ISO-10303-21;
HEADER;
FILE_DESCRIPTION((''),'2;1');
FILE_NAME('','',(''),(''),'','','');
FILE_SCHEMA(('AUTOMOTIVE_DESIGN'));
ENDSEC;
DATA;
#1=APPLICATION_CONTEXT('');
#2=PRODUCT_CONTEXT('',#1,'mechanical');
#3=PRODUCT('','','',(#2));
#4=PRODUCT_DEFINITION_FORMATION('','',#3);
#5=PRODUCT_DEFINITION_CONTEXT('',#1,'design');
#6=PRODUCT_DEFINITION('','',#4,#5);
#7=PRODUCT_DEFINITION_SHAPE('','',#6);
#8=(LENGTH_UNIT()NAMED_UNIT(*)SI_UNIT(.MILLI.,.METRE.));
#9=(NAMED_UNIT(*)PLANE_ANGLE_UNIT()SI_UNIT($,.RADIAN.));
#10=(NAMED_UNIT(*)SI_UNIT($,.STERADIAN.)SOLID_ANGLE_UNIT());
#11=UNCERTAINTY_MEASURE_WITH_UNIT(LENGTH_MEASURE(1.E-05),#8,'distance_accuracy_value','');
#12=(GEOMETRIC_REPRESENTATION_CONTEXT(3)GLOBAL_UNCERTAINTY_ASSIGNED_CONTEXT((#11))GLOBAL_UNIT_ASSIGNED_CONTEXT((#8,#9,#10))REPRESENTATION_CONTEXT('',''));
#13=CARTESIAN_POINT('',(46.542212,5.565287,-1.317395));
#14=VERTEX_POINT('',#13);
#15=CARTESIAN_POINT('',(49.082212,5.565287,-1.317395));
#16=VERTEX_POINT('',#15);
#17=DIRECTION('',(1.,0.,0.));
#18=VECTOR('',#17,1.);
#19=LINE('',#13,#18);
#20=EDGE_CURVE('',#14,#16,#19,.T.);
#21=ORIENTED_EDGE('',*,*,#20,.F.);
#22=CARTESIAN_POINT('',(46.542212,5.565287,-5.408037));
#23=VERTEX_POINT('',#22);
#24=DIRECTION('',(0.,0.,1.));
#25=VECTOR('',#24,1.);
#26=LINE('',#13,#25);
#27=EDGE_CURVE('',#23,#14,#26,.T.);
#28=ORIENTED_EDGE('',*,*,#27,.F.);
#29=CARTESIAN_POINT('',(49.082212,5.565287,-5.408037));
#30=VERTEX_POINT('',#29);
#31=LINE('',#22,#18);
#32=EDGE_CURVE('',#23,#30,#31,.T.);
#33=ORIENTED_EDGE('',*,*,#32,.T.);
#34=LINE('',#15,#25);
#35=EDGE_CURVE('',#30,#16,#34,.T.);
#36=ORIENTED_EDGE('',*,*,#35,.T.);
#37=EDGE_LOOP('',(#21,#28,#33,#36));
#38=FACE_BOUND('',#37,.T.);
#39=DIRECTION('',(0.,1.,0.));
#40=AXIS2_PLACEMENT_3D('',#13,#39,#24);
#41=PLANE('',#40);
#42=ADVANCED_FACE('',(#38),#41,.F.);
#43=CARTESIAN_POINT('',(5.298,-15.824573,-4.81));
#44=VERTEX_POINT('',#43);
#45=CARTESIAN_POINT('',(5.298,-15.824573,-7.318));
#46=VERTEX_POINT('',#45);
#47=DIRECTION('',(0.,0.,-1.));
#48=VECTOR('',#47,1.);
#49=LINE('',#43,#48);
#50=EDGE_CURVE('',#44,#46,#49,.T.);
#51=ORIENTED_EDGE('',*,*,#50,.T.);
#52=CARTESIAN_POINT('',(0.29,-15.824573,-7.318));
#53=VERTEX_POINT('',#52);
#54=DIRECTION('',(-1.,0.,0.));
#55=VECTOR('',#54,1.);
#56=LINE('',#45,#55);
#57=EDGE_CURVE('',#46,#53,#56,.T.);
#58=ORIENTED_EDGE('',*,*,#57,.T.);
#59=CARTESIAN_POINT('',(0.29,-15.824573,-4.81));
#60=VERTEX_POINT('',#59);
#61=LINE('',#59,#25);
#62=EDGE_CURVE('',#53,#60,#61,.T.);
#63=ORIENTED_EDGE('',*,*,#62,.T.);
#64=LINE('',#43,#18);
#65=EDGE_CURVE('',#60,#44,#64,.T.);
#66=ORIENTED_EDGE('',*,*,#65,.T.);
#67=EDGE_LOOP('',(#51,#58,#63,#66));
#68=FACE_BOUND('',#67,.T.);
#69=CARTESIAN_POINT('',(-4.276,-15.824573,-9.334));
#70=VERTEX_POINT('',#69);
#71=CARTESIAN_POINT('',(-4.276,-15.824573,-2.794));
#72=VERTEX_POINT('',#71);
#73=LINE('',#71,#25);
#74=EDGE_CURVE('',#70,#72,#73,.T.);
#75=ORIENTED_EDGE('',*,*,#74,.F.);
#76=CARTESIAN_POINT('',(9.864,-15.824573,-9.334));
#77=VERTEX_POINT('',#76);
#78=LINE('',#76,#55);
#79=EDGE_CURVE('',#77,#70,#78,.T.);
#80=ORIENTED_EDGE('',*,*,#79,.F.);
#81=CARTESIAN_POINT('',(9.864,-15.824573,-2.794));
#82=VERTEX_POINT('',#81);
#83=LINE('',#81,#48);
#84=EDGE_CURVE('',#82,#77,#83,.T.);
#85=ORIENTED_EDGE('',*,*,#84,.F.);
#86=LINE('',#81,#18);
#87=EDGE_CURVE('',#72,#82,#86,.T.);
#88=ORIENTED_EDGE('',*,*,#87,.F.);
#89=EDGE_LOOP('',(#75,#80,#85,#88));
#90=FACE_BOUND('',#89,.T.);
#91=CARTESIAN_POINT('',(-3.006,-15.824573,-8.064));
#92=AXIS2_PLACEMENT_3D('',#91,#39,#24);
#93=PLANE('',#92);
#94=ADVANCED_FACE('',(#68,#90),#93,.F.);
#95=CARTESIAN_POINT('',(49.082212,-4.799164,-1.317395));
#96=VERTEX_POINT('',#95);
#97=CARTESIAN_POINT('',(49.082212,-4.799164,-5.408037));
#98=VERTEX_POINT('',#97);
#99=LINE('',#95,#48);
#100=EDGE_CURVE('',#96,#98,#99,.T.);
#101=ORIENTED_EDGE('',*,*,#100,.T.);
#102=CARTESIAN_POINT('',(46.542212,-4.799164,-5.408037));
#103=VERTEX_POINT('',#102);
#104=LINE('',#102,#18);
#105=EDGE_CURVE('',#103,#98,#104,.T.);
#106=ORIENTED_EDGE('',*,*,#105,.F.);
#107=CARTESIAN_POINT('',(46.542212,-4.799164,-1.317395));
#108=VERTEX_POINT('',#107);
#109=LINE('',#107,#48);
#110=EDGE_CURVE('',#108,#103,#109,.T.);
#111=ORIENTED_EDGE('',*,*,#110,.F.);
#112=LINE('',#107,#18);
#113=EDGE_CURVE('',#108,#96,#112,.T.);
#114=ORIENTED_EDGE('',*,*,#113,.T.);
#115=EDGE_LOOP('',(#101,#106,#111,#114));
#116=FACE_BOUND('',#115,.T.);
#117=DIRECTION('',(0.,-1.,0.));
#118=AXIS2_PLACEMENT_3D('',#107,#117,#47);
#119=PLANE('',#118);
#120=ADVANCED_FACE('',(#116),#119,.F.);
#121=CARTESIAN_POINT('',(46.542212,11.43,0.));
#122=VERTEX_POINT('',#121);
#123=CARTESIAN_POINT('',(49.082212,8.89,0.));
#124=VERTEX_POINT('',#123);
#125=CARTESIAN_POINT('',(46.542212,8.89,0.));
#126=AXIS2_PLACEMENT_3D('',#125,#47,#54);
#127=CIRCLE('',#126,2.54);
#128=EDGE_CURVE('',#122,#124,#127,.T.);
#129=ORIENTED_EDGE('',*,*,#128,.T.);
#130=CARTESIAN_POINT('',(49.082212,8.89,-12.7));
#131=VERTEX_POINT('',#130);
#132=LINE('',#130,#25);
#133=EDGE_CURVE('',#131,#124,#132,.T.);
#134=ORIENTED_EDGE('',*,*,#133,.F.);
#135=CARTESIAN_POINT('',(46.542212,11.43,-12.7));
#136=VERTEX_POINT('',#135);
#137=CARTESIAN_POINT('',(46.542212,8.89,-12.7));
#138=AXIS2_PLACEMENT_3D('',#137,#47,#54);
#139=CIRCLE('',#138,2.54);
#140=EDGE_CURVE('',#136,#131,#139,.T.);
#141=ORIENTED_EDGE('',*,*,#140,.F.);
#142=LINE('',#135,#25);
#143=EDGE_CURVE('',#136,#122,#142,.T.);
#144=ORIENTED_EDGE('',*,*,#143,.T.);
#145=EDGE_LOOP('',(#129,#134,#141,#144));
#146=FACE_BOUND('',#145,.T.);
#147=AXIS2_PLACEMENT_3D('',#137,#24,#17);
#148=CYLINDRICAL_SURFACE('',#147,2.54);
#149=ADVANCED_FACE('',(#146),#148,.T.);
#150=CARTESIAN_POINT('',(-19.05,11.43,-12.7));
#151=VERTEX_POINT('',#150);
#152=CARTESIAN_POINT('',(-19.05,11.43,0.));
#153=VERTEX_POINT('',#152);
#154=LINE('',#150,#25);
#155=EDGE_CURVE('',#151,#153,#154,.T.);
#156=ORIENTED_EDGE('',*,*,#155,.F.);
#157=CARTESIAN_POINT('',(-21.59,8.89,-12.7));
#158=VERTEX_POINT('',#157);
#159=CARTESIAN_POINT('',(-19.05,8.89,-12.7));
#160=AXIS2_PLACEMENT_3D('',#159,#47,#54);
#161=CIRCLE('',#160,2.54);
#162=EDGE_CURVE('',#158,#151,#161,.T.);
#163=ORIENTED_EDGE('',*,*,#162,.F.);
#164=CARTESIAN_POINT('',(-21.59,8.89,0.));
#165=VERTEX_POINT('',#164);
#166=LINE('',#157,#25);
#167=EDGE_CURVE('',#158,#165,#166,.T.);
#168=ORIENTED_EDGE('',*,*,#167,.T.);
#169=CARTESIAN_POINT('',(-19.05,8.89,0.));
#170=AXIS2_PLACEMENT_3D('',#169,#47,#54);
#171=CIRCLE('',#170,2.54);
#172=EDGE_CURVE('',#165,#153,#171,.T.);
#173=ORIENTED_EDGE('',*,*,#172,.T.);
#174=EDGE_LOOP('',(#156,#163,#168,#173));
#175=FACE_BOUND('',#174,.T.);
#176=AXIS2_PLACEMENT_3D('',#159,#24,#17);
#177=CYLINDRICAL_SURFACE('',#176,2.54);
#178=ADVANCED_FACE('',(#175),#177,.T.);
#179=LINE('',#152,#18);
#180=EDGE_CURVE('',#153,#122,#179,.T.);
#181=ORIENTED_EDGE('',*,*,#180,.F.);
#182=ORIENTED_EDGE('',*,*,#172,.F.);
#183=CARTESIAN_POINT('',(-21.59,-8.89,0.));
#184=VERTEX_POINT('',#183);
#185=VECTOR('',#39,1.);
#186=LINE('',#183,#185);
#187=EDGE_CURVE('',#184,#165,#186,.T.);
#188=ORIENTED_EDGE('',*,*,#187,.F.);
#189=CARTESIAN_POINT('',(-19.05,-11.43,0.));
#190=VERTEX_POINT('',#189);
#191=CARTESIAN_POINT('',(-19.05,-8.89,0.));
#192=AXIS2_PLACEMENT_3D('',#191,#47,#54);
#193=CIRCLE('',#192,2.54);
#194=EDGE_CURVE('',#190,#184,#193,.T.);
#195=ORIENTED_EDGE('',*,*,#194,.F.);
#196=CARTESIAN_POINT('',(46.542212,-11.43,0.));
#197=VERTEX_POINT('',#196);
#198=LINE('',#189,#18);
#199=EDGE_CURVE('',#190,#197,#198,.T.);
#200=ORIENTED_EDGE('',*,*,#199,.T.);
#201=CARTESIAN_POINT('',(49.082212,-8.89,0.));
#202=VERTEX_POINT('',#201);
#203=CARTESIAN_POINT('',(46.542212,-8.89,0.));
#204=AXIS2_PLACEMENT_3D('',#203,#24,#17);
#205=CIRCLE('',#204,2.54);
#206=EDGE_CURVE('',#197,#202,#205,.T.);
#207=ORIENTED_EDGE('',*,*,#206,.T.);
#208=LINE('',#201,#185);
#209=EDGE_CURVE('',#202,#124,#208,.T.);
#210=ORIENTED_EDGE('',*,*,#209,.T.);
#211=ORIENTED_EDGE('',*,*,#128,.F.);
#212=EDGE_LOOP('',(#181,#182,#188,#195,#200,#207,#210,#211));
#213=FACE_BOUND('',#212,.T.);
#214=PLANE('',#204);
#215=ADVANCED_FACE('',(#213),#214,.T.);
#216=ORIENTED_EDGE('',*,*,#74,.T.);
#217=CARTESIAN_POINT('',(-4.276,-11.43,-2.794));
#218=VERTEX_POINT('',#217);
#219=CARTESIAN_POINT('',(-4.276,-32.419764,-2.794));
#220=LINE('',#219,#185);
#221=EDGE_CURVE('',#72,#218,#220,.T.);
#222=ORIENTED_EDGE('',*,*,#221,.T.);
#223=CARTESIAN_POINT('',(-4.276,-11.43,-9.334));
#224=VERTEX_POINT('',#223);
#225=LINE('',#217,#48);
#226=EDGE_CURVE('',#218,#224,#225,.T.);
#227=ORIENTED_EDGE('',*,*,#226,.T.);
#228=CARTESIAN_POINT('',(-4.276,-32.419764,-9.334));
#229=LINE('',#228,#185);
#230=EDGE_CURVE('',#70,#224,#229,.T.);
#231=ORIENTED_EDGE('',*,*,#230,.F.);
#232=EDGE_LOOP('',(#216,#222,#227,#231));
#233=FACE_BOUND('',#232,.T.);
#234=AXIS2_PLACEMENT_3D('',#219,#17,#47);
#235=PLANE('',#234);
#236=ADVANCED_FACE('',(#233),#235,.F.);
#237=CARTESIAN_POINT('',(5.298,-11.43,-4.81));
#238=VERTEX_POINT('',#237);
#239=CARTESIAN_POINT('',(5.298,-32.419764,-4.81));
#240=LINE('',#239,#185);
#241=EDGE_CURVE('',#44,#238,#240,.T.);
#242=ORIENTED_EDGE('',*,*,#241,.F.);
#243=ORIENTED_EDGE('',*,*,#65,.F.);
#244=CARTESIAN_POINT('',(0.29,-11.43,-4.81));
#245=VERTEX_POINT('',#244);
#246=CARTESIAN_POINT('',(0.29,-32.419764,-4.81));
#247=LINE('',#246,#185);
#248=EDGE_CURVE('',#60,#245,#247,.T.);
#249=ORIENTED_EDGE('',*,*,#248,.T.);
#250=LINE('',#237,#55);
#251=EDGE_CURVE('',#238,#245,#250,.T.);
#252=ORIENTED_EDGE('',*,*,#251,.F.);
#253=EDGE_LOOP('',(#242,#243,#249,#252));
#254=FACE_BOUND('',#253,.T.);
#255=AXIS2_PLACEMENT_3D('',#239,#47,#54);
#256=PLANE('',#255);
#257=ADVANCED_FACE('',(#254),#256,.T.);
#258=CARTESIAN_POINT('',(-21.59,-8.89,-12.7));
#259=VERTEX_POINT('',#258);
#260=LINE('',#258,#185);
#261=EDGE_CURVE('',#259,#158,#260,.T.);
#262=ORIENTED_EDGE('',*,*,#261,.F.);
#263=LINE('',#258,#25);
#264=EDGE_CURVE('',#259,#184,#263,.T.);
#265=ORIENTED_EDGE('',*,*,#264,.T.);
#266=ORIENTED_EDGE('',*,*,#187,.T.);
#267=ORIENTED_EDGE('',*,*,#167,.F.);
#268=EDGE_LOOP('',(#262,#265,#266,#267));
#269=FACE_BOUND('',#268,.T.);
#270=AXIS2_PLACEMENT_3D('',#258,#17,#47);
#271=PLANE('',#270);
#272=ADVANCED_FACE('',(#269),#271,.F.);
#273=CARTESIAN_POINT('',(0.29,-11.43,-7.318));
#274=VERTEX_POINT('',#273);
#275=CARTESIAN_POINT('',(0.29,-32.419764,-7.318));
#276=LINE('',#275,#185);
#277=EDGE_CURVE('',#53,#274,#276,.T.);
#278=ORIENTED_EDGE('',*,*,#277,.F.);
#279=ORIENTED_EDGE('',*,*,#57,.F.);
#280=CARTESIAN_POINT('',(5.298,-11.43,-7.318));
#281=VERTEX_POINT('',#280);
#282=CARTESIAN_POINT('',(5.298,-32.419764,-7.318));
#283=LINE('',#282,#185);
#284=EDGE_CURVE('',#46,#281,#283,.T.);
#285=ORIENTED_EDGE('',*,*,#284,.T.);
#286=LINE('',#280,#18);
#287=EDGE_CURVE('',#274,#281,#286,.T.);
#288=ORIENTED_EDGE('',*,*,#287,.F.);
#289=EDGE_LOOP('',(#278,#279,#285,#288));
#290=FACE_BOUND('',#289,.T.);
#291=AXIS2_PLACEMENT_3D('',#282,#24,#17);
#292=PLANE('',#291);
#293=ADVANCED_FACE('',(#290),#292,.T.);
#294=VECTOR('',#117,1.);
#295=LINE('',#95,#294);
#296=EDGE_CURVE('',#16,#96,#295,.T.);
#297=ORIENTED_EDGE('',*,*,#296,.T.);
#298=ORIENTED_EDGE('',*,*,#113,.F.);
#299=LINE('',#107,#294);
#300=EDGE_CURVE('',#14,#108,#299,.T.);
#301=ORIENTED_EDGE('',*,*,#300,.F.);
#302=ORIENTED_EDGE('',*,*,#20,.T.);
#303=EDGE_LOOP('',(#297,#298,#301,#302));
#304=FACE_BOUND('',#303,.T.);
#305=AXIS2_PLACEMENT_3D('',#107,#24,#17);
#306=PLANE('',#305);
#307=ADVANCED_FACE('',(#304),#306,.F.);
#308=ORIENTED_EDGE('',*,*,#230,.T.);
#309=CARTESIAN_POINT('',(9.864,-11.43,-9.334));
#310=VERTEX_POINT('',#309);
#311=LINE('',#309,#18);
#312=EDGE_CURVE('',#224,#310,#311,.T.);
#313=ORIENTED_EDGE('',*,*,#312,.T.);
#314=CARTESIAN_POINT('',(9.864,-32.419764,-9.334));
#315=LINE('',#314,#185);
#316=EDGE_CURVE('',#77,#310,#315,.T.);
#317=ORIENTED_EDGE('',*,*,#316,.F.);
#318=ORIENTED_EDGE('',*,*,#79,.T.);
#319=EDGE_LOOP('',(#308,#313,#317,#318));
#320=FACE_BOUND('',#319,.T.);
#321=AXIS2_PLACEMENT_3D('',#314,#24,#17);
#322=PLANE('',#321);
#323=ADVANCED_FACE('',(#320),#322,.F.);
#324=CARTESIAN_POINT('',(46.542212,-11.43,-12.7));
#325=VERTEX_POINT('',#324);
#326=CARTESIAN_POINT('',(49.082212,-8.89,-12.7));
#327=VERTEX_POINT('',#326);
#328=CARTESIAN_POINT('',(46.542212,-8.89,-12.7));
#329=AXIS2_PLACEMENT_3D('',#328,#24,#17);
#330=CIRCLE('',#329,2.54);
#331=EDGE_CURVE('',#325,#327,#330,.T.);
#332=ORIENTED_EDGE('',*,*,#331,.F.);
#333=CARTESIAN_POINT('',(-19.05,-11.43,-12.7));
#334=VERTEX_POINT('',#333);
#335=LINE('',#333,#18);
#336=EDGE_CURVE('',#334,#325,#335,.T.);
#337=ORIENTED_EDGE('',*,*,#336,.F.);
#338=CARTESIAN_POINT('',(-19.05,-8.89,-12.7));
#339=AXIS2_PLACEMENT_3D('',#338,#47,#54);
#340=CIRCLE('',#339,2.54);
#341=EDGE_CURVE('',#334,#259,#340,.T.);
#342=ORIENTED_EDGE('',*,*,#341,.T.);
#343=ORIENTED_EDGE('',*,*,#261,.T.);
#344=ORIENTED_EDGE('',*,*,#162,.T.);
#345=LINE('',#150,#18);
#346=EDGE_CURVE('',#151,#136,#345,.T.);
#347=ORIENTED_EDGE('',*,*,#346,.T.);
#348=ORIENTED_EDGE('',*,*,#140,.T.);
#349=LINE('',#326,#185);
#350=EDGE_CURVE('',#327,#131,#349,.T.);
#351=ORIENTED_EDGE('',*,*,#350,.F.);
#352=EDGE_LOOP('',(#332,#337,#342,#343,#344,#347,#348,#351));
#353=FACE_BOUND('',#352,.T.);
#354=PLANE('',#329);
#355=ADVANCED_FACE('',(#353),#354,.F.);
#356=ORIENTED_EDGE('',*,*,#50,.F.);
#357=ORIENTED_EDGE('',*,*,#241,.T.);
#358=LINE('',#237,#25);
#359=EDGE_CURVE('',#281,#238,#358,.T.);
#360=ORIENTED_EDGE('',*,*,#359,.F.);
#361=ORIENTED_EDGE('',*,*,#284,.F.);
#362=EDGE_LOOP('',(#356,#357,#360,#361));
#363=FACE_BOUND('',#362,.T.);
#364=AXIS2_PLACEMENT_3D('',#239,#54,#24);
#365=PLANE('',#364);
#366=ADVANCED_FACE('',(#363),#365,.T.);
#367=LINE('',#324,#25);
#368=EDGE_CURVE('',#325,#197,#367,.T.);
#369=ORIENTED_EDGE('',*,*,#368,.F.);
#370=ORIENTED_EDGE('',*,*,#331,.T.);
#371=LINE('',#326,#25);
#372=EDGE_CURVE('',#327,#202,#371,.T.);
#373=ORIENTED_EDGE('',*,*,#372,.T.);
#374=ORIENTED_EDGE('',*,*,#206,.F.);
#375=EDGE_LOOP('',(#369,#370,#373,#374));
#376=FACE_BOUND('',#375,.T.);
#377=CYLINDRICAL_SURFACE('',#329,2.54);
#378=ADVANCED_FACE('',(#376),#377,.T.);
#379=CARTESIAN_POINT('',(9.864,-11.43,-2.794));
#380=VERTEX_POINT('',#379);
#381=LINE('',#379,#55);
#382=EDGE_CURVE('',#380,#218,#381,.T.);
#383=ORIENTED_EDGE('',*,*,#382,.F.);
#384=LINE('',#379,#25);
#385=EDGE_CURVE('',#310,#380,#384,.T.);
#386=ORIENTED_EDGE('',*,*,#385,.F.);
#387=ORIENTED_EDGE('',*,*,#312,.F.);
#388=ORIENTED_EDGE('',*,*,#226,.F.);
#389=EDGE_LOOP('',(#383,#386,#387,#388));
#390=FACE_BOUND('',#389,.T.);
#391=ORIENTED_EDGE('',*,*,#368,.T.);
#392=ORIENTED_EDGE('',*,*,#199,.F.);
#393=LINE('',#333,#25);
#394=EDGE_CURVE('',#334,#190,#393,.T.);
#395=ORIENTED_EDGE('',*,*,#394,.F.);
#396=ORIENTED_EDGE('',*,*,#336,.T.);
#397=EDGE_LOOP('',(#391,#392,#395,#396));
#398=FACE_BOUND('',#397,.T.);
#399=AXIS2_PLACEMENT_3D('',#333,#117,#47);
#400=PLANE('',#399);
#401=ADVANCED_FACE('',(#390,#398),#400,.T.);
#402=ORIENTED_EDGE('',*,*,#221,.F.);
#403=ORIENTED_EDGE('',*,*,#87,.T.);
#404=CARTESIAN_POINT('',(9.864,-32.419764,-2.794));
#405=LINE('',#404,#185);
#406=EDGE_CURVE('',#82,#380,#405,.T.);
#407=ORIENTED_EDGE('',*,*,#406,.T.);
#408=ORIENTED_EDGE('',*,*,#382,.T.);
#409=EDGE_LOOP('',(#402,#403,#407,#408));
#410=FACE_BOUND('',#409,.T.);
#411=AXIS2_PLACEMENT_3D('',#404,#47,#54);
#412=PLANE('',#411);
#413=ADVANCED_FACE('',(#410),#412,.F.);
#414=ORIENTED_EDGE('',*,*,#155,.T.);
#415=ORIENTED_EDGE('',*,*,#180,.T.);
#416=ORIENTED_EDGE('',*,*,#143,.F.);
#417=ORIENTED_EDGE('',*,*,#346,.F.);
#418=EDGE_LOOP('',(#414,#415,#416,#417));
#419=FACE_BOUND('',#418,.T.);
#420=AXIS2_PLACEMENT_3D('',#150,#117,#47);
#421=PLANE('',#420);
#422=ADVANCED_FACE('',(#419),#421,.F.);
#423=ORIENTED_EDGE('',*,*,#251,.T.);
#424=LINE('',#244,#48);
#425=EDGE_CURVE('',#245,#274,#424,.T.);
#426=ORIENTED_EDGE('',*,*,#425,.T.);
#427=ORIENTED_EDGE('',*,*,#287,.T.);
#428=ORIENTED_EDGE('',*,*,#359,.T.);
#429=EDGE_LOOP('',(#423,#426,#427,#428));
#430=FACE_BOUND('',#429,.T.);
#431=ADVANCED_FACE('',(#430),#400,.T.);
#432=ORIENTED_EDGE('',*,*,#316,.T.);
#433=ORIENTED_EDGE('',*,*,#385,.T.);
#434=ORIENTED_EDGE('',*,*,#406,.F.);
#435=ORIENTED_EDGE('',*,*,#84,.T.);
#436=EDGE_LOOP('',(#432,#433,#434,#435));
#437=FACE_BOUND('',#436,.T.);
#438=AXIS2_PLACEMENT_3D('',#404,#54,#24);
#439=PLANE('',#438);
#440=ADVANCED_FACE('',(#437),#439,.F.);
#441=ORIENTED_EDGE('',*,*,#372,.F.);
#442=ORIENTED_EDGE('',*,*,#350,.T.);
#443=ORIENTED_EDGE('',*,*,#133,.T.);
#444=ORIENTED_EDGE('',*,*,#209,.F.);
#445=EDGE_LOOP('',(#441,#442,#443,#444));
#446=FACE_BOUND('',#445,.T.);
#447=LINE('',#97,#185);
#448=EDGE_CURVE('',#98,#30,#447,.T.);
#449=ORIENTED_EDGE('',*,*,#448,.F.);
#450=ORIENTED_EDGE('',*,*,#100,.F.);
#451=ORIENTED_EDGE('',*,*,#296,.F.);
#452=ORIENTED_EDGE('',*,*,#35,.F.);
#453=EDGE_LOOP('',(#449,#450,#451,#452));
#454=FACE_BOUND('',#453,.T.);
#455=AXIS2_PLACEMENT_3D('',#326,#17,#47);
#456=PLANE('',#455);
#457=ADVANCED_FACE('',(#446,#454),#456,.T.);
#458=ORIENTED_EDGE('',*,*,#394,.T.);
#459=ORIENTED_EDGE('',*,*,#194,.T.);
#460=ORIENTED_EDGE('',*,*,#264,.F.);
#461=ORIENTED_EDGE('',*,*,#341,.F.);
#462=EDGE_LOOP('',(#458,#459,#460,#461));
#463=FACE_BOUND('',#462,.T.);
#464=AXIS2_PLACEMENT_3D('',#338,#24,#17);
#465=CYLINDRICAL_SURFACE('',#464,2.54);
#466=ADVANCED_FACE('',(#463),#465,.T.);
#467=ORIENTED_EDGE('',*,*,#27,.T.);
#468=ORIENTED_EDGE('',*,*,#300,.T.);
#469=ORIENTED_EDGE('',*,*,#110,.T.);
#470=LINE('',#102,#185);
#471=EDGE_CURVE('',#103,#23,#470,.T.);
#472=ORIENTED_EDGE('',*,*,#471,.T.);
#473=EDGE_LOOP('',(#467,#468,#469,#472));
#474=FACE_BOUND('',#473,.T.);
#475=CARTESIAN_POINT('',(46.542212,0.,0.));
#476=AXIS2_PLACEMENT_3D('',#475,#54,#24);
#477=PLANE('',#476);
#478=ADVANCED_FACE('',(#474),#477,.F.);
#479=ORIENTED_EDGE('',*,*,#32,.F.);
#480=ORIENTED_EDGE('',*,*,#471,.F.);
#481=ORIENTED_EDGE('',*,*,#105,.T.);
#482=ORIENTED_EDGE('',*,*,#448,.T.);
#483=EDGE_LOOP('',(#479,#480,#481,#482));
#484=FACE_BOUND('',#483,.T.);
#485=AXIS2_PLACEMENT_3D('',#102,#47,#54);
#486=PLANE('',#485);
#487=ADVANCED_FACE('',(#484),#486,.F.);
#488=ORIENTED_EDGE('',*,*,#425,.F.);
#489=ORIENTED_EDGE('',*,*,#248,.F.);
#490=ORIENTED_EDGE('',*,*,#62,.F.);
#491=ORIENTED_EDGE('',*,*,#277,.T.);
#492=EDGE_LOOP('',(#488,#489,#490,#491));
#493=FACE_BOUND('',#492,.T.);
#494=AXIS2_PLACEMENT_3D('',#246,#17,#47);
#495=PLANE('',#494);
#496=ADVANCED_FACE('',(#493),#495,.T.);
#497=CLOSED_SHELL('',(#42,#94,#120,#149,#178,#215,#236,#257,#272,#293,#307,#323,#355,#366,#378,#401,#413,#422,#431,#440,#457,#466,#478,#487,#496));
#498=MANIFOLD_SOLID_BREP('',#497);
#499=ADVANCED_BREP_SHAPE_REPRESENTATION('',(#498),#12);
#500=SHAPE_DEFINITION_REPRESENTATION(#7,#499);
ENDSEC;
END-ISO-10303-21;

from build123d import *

# Parameters (mm, degrees)
BOSS_EXTRUDE1_DEPTH = 12.7
SKETCH2_W           = 4.090641248
SKETCH2_H           = 10.364450922
CUT_EXTRUDE1_DEPTH  = 2.54
SKETCH3_W           = 14.14
SKETCH3_H           = 6.54
SKETCH3_W_2         = 5.008
SKETCH3_H_2         = 2.508
BOSS_EXTRUDE2_DEPTH = 4.39457265


with BuildPart() as part:
    # Sketch1 → Boss-Extrude1 (new body)
    with BuildSketch(Plane.XY):
        with BuildLine():
            Line((-19.05, 11.43), (46.542212097, 11.43))
            ThreePointArc((46.542212097, 11.43), (48.338263321, 10.686051224), (49.082212097, 8.89))
            Line((49.082212097, 8.89), (49.082212097, -8.89))
            ThreePointArc((49.082212097, -8.89), (48.338263321, -10.686051224), (46.542212097, -11.43))
            Line((46.542212097, -11.43), (-19.05, -11.43))
            ThreePointArc((-19.05, -11.43), (-20.846051224, -10.686051224), (-21.59, -8.89))
            Line((-21.59, -8.89), (-21.59, 8.89))
            ThreePointArc((-21.59, 8.89), (-20.846051224, 10.686051224), (-19.05, 11.43))
        make_face()
    extrude(amount=-BOSS_EXTRUDE1_DEPTH)

    # Sketch2 → Cut-Extrude1 (cut)
    with BuildSketch(Plane(origin=(49.082212097, 0, 0), x_dir=(0, 0, -1), z_dir=(1, 0, 0))):
        with Locations((3.362716068, 0.383061409)):
            Rectangle(SKETCH2_W, SKETCH2_H)
    extrude(amount=-CUT_EXTRUDE1_DEPTH, mode=Mode.SUBTRACT)

    # Sketch3 → Boss-Extrude2 (add)
    with BuildSketch(Plane.XZ.offset(11.43)):
        with Locations((2.794, -6.064)):
            Rectangle(SKETCH3_W, SKETCH3_H)
        with Locations((2.794, -6.064)):
            Rectangle(SKETCH3_W_2, SKETCH3_H_2, mode=Mode.SUBTRACT)
    extrude(amount=BOSS_EXTRUDE2_DEPTH)


solid = part.part
